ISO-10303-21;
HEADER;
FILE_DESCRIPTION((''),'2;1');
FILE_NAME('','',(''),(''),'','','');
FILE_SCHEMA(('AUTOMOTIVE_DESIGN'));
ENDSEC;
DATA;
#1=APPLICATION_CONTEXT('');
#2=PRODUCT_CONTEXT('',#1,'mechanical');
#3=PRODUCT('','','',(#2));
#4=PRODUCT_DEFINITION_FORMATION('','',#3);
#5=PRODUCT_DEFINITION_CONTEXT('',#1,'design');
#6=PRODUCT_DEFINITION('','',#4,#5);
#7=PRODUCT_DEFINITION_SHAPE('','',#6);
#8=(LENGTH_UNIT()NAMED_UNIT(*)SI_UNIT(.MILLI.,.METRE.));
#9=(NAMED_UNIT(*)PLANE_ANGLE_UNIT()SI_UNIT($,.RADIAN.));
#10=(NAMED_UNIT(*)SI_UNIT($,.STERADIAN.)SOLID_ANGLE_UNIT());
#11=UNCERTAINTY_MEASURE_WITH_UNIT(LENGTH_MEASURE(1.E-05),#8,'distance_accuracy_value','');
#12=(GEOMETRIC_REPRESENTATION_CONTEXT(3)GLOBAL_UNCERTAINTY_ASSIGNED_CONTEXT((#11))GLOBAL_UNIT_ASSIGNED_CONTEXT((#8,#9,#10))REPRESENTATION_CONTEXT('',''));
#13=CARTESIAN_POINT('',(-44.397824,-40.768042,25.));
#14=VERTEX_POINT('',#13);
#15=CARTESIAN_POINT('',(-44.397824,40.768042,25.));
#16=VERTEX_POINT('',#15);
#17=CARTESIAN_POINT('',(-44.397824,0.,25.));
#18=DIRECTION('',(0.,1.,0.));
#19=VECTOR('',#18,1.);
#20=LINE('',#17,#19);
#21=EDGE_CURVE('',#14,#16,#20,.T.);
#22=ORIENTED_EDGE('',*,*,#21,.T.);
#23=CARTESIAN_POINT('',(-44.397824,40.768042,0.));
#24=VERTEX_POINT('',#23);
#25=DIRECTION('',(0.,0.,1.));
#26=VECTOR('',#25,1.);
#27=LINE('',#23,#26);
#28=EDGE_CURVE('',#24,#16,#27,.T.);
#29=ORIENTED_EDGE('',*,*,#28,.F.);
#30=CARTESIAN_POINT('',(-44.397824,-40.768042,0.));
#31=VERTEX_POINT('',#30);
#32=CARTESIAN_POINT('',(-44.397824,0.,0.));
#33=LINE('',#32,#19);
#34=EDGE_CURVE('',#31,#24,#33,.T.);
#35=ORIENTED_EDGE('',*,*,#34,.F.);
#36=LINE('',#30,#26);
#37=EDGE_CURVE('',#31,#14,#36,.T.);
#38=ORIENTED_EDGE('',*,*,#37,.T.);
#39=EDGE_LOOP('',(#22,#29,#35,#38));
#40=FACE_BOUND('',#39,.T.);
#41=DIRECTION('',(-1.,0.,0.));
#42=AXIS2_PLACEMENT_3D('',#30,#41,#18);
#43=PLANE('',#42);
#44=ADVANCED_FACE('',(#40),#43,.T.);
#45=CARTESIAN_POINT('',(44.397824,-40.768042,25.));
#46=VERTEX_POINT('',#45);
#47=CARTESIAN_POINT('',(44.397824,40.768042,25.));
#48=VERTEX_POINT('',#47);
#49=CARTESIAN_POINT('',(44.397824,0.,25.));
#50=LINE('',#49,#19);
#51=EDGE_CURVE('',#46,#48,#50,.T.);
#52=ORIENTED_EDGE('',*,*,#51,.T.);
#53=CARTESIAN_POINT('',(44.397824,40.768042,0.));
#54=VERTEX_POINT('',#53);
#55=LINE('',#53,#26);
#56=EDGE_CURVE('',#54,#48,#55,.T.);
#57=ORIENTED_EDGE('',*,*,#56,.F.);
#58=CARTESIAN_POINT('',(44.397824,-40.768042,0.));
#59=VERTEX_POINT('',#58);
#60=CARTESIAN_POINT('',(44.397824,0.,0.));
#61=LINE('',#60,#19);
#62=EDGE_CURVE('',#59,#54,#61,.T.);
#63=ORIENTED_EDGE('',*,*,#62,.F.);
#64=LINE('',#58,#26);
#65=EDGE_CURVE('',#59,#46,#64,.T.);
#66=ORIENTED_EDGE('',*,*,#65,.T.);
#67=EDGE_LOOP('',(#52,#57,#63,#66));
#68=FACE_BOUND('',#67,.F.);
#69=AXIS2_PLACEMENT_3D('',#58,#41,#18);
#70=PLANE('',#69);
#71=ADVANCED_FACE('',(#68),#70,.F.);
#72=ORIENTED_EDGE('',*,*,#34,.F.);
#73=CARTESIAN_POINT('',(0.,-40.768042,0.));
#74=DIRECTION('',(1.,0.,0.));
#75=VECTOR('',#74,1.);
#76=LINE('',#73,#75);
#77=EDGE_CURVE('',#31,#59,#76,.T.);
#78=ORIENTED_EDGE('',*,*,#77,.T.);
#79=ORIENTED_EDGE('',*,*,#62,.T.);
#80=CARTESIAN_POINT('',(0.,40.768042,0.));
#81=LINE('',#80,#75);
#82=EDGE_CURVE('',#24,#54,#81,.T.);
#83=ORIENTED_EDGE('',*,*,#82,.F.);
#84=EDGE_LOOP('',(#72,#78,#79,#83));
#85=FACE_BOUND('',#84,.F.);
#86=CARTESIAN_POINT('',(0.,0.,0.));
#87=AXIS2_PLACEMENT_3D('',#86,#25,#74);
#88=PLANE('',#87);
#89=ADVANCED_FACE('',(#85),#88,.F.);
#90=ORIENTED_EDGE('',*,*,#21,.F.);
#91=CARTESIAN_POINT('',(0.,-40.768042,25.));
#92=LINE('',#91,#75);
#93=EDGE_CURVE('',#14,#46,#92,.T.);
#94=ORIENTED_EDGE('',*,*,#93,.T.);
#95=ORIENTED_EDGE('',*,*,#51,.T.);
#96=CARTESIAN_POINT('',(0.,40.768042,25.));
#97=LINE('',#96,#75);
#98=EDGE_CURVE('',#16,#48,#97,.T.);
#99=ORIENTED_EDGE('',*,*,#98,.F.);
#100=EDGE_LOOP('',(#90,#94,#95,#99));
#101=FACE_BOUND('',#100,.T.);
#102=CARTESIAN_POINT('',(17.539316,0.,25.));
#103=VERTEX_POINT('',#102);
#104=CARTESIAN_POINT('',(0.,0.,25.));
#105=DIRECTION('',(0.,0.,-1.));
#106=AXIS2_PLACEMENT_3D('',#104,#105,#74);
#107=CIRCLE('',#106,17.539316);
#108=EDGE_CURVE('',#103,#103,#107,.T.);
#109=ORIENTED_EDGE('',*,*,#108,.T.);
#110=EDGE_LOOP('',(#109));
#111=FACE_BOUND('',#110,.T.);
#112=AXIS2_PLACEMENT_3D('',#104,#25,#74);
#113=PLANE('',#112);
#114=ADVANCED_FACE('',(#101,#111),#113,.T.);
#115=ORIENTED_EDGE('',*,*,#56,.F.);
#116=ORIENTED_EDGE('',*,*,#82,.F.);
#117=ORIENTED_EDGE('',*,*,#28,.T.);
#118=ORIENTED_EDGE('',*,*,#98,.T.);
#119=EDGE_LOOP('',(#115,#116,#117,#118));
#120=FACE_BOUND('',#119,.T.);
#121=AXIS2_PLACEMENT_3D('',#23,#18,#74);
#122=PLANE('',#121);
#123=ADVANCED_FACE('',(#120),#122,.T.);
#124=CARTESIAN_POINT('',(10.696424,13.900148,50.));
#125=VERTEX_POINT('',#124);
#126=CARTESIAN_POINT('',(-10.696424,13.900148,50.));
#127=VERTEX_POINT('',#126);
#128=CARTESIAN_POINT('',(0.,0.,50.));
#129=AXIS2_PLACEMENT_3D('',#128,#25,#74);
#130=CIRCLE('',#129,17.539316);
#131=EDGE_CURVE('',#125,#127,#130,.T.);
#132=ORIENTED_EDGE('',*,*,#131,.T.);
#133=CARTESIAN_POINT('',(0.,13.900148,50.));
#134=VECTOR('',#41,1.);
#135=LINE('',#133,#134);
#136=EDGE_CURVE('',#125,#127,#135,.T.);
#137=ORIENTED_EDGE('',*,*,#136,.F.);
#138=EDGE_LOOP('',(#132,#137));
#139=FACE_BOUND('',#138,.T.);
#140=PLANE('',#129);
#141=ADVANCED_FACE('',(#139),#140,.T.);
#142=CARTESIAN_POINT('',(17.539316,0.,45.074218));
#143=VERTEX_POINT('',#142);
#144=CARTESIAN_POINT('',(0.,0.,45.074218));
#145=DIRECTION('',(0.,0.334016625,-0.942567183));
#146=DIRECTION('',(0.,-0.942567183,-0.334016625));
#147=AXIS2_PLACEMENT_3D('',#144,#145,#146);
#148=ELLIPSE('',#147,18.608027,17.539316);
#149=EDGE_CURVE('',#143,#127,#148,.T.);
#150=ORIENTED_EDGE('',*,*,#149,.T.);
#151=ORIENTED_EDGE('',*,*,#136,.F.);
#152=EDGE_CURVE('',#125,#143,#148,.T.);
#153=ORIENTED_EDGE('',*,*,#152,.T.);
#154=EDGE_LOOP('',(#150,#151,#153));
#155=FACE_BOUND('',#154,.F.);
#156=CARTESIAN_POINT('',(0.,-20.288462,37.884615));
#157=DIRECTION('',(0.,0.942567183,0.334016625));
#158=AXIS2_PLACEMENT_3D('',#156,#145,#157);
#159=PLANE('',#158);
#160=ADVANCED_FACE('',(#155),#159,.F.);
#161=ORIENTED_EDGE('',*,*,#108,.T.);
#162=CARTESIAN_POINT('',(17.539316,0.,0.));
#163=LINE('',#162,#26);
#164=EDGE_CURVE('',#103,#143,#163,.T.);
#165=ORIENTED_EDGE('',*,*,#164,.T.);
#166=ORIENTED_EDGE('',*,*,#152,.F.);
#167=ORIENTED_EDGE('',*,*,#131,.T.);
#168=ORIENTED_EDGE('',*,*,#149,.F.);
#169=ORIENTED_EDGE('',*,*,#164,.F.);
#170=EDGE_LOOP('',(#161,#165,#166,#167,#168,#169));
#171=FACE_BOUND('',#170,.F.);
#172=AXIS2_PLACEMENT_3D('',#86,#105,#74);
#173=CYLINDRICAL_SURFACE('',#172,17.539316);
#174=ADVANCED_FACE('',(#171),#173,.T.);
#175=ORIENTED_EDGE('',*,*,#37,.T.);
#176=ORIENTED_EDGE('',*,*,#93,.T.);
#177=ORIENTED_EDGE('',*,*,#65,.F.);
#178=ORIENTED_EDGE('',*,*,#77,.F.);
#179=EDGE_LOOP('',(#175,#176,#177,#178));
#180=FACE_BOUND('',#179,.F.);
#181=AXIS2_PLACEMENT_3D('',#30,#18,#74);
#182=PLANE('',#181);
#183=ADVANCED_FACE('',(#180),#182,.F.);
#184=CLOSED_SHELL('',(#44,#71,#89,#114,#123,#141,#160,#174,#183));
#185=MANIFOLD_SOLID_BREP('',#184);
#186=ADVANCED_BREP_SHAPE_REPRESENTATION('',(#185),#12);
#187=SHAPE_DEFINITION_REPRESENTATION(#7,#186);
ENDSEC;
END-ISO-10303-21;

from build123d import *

# Parameters (mm, degrees)
F0_R     = 17.5393156129
F1_DEPTH = 50
F2_W     = 88.7956470251
F2_H     = 81.5360844135
F3_DEPTH = 25
F5_DEPTH = 25


with BuildPart() as f1:
    # F0 (on Top) → F1 (new body)
    with BuildSketch(Plane.XY):
        Circle(F0_R)
    extrude(amount=F1_DEPTH)

    # F2 (on Top) → F3 (join)
    with BuildSketch(Plane.XY):
        Rectangle(F2_W, F2_H)
    extrude(amount=F3_DEPTH)

    # F4 (on Right) → F5 (cut, symmetric)
    with BuildSketch(Plane.YZ):
        Polygon((-20.2884618193, 37.8846153617), (19.3269234151, 51.9230812788), (-20.2884618193, 53.4615404904), align=None)
    extrude(amount=F5_DEPTH, both=True, mode=Mode.SUBTRACT)


solid = f1.part
